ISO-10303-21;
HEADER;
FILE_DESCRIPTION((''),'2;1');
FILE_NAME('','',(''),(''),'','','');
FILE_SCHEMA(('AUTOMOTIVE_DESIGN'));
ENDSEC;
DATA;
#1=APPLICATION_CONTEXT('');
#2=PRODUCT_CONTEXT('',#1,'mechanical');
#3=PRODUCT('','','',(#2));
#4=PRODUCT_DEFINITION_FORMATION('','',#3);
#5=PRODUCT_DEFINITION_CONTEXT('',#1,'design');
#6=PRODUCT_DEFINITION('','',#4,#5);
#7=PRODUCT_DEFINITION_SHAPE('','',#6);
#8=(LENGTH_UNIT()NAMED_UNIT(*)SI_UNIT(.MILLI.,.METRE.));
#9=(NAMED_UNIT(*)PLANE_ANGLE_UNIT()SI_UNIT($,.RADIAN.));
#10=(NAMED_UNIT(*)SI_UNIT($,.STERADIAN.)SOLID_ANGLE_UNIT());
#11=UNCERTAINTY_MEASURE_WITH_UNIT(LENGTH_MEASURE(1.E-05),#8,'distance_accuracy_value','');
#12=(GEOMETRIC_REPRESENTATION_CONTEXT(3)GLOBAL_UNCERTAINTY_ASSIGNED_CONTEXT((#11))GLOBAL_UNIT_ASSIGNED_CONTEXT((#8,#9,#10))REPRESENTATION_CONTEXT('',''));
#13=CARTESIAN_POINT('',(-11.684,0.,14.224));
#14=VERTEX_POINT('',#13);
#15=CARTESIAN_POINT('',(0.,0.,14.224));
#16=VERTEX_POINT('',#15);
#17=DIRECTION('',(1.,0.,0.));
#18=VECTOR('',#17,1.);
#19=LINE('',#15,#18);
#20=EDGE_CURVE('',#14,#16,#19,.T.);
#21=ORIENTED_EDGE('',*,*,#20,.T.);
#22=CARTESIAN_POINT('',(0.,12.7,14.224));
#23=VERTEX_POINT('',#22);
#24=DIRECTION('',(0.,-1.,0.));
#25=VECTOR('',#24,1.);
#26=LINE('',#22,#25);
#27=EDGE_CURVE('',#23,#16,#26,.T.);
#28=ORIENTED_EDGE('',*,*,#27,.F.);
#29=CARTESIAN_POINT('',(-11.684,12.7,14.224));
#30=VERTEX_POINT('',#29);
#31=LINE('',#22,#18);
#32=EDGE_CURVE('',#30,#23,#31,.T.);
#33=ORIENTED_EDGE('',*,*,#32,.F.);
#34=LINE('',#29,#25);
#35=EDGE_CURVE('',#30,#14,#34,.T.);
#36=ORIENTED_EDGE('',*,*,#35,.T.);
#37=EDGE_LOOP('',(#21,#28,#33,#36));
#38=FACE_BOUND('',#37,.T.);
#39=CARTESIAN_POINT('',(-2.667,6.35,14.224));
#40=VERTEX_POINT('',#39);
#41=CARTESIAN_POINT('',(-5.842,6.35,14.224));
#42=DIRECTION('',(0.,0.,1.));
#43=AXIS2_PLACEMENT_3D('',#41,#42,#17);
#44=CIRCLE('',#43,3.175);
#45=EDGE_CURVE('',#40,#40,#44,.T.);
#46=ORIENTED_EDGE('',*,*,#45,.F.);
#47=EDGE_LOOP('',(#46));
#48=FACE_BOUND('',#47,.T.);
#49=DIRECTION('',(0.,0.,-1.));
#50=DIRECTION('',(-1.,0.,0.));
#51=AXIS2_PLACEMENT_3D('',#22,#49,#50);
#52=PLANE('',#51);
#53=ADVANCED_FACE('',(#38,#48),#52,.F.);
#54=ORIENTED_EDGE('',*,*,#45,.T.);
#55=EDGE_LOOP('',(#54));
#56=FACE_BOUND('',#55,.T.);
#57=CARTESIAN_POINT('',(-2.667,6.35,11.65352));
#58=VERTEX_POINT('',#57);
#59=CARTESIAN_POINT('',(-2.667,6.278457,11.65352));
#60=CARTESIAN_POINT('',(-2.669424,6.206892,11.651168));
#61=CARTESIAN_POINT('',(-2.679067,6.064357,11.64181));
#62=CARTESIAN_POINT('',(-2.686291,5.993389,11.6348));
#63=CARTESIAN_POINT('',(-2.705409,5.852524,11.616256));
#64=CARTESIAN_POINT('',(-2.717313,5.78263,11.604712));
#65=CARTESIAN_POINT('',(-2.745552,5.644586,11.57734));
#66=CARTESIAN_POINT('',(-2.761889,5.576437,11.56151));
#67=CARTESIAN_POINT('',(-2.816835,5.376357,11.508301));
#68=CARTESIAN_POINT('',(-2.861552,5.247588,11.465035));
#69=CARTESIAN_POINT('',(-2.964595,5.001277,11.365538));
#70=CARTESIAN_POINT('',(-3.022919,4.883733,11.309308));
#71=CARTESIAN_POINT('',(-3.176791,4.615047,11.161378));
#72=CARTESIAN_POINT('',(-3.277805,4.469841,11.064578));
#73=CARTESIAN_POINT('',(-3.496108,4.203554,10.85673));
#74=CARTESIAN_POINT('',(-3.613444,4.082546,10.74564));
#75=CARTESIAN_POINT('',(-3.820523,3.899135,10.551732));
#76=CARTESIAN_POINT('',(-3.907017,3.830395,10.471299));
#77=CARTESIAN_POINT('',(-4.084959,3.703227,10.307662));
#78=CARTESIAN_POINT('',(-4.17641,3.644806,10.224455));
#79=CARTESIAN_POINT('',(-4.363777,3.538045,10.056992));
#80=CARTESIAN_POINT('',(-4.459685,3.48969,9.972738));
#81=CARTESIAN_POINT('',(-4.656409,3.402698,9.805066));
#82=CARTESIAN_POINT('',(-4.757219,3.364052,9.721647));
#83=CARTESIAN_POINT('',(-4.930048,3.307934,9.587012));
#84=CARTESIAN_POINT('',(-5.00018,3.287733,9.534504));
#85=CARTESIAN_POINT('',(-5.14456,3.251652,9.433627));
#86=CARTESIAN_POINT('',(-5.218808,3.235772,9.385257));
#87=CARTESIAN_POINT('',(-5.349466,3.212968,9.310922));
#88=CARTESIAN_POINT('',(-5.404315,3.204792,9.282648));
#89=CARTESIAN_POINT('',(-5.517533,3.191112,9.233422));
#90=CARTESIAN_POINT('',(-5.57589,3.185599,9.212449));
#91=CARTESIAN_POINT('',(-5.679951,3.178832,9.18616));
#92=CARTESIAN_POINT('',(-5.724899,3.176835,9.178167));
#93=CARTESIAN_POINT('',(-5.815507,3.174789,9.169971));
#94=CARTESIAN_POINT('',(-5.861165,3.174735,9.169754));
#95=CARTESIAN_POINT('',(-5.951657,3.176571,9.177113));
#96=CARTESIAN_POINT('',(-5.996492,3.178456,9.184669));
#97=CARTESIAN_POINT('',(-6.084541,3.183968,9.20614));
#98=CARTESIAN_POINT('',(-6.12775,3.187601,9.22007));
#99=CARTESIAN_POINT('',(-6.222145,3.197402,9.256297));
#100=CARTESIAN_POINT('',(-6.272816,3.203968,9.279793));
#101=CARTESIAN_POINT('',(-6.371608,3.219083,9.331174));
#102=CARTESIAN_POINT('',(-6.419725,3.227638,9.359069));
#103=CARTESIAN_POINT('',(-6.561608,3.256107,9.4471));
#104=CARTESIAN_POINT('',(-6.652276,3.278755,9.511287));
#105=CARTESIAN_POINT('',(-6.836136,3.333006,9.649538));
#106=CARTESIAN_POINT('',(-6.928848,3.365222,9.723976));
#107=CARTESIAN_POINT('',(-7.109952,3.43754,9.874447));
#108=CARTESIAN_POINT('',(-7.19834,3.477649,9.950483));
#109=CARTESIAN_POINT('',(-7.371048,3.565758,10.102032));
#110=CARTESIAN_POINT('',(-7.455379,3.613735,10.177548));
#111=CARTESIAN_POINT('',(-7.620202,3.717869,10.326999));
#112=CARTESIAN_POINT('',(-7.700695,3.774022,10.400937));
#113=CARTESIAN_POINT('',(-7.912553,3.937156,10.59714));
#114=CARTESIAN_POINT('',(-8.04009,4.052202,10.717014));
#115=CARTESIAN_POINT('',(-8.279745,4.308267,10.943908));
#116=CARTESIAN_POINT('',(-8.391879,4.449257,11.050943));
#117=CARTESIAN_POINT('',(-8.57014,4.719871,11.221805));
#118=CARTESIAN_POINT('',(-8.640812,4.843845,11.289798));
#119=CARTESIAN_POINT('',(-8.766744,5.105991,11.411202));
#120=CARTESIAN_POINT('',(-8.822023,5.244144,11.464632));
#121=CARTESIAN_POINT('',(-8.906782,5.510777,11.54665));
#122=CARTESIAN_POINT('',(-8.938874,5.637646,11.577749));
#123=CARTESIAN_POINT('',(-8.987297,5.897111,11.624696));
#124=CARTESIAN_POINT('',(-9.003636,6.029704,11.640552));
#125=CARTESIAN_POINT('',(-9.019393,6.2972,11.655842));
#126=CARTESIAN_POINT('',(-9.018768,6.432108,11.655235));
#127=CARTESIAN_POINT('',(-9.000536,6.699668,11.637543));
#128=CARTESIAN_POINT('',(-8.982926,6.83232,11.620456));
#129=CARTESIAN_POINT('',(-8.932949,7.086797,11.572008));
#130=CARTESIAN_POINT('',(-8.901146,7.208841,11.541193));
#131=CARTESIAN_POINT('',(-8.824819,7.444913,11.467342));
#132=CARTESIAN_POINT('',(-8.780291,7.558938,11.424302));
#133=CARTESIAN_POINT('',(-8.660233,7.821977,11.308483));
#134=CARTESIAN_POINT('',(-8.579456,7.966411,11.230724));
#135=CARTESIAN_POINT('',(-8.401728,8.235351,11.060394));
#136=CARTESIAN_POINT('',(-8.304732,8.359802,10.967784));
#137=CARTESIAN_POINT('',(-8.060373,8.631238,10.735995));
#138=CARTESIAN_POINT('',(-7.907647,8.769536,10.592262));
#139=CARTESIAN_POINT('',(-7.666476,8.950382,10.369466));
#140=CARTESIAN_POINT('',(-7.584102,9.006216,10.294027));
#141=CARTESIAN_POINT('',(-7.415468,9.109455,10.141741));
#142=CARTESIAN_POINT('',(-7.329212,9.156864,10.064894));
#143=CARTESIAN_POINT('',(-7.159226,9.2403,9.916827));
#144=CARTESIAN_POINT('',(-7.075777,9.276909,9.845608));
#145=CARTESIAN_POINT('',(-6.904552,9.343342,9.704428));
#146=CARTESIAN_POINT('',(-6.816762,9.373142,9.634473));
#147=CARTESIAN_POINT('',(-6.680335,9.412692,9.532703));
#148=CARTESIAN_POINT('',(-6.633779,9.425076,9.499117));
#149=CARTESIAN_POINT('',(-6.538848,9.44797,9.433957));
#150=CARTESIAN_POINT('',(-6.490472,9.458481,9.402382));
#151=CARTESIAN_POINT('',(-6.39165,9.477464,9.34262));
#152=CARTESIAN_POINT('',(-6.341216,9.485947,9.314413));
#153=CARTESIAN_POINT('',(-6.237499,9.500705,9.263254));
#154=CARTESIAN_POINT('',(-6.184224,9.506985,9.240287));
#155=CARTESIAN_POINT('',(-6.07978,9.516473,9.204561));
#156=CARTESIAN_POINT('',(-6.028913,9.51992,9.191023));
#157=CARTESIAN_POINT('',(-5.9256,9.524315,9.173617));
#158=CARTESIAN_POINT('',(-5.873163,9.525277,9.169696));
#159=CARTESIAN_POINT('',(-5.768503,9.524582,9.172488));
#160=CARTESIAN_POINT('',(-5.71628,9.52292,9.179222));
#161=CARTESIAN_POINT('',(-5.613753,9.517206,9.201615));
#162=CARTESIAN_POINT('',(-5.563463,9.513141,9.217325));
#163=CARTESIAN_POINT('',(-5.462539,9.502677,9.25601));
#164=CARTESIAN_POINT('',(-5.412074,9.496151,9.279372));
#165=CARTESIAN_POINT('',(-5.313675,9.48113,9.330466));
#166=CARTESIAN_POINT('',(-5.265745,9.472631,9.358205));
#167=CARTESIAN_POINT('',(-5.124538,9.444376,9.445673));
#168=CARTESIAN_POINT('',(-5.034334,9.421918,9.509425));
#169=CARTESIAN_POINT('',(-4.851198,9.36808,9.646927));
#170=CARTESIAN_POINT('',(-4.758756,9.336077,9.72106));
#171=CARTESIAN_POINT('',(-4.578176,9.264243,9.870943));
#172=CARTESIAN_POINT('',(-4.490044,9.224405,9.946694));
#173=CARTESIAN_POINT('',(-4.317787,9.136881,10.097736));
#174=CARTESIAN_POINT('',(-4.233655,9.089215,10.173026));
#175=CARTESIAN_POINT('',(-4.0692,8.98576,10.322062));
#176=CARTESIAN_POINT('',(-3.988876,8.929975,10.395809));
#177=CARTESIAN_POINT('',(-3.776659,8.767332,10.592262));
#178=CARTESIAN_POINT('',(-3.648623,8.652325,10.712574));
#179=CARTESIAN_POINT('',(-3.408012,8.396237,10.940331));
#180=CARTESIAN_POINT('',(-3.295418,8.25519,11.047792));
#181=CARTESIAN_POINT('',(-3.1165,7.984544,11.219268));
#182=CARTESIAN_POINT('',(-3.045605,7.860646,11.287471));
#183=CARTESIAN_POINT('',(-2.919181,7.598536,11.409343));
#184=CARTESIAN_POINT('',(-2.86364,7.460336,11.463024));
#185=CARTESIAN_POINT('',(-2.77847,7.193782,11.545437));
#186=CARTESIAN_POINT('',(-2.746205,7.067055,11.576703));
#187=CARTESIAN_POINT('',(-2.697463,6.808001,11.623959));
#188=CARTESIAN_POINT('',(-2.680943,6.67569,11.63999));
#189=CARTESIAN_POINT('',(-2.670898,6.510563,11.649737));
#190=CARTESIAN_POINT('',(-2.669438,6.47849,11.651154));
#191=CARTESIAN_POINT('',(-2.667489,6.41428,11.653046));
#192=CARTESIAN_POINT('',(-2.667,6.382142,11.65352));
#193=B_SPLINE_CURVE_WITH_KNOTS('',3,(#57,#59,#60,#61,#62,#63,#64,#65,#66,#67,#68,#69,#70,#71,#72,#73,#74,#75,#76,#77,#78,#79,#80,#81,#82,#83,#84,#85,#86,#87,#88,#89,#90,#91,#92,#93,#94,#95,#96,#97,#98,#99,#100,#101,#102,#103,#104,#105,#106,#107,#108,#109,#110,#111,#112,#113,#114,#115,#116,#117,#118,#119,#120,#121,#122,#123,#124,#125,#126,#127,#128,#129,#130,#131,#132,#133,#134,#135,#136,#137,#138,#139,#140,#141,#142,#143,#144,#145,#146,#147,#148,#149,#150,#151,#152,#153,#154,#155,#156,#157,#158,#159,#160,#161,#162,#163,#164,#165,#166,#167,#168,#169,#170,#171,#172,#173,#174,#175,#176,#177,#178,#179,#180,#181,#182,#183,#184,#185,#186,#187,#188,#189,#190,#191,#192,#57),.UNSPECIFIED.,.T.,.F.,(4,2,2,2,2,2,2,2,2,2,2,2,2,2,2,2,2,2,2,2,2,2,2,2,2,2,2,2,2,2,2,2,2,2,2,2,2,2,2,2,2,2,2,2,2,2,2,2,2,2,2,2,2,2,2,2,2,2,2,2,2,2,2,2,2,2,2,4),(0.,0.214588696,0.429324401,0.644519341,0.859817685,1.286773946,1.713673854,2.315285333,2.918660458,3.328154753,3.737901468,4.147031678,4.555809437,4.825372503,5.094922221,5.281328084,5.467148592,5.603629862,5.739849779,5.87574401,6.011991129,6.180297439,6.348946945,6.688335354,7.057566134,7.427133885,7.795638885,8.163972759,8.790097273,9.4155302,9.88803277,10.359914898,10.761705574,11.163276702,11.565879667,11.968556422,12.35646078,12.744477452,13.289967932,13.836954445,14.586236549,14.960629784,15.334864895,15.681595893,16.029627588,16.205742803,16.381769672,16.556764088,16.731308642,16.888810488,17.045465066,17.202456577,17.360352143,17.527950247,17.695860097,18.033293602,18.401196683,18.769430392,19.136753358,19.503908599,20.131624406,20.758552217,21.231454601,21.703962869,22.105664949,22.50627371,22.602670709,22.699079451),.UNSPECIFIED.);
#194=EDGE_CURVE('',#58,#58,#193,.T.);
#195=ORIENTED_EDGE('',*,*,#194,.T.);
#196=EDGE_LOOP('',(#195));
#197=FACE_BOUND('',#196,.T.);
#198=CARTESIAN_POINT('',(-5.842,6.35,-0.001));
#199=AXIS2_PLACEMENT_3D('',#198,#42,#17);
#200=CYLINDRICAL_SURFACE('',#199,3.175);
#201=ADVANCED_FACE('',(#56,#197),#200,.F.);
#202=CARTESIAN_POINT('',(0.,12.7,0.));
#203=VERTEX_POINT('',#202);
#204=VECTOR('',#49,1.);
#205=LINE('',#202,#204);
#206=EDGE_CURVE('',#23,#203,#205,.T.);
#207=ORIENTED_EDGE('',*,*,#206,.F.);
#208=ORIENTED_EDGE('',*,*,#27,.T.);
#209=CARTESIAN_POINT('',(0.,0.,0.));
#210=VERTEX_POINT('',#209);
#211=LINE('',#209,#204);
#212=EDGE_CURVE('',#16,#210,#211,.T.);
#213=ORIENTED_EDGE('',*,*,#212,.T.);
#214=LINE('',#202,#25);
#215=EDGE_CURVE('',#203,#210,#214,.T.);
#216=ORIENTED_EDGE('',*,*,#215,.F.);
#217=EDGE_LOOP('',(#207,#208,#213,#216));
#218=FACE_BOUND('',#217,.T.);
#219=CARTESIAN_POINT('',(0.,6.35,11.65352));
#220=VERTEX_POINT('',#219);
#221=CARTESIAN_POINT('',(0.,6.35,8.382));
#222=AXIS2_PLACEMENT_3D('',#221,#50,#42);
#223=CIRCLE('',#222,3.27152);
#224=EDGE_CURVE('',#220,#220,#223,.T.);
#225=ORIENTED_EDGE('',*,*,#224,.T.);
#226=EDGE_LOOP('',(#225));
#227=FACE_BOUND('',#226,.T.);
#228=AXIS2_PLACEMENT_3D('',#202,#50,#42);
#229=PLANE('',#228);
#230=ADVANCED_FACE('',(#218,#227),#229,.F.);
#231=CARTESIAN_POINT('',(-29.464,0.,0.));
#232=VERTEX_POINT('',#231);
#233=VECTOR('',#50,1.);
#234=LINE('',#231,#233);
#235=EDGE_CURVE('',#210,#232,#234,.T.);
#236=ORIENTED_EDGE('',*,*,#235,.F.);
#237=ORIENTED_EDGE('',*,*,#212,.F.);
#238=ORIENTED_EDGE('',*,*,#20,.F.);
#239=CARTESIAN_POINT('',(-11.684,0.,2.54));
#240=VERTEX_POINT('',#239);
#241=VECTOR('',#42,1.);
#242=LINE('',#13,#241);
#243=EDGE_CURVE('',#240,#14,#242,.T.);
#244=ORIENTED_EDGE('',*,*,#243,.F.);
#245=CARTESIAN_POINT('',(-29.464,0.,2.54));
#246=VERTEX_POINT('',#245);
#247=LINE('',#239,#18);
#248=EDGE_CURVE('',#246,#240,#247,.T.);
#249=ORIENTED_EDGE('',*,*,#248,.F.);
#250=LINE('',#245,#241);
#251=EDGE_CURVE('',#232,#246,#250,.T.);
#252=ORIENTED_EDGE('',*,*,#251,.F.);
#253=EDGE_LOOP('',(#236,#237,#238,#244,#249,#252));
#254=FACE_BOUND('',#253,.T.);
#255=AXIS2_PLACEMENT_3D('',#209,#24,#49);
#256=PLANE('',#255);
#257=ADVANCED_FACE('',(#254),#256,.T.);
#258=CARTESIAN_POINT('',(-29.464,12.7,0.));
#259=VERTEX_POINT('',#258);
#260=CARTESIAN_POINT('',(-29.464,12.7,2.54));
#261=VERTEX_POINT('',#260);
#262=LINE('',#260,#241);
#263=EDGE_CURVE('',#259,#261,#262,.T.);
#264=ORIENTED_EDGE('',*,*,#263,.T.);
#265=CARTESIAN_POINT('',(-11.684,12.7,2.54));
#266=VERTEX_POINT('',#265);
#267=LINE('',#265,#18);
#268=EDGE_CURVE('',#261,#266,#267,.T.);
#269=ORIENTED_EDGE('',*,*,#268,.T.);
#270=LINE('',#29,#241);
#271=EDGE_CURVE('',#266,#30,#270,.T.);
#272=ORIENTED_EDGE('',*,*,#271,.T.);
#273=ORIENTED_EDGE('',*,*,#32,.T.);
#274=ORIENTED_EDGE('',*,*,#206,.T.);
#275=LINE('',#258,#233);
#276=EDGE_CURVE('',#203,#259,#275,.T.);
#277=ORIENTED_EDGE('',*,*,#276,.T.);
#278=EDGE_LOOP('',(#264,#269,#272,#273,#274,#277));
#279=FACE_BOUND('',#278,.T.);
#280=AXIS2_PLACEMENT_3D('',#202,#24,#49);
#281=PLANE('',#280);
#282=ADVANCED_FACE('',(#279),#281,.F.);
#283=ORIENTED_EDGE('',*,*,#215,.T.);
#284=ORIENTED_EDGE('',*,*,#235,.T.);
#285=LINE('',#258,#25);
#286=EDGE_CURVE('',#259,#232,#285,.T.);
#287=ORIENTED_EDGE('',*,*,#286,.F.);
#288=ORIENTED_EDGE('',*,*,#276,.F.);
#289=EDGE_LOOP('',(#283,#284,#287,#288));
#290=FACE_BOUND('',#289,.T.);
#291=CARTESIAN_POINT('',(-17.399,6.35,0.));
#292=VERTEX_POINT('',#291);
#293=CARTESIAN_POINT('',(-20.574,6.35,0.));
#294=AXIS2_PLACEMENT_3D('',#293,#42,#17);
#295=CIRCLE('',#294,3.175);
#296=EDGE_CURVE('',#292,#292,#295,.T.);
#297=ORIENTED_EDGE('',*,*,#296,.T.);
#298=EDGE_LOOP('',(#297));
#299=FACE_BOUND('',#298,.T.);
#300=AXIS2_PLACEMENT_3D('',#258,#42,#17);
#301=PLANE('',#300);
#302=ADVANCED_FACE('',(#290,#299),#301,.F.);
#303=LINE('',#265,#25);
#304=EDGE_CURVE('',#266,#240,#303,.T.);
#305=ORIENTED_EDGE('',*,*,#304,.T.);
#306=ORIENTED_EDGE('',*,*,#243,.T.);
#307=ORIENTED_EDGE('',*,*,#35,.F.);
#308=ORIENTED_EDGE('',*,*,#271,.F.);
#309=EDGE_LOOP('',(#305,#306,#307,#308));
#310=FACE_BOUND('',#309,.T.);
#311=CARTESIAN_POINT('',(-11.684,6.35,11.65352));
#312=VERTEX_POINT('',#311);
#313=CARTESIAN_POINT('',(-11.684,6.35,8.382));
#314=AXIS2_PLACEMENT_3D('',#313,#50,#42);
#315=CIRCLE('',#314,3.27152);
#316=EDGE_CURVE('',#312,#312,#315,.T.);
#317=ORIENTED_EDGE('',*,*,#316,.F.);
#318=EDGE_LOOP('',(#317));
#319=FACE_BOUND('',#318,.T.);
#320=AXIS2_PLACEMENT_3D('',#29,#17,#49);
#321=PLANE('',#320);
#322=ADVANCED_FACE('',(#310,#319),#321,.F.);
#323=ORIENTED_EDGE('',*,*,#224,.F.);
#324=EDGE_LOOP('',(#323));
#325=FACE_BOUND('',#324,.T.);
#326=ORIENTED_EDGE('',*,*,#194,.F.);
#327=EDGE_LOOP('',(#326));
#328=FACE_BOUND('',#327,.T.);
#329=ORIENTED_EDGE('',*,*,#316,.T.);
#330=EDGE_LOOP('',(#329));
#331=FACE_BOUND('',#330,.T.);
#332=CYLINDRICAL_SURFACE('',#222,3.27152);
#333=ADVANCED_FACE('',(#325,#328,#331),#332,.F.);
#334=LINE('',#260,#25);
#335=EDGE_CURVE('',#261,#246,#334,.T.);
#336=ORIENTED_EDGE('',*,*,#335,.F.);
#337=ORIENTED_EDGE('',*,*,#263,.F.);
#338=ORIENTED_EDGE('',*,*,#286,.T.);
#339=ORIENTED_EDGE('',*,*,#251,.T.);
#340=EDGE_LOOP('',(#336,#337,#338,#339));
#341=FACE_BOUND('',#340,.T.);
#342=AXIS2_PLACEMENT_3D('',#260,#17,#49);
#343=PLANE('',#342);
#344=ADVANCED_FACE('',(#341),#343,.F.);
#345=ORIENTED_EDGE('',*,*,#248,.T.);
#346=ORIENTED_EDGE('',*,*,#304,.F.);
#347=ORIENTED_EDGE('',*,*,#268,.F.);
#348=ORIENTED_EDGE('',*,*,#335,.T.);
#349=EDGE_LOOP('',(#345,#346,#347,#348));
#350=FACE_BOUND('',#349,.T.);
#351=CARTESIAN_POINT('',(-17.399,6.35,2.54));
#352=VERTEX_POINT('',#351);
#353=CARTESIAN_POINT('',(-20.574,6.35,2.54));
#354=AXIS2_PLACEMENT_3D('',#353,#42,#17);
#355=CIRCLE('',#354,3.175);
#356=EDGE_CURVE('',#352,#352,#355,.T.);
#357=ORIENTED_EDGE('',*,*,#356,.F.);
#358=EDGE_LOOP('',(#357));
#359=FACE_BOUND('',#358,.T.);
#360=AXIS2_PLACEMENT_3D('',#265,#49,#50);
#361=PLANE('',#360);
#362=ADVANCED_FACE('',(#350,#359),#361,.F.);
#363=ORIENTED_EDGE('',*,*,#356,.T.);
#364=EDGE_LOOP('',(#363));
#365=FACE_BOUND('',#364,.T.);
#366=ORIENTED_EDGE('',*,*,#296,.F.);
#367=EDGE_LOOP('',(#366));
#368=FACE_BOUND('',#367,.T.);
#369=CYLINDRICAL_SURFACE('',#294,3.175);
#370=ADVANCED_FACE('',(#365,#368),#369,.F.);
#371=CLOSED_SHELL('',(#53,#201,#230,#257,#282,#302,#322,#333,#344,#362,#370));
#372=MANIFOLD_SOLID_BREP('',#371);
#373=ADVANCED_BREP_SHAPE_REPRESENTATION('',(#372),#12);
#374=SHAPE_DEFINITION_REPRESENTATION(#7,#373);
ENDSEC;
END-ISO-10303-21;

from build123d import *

# Parameters (mm, degrees)
EXTRUDE1_DEPTH      = 12.7
SKETCH2_R           = 3.27152
EXTRUDE2_DEPTH      = 27.071834918
EXTRUDE3_REACH      = 37.096
EXTRUDE3_END_RADIUS = 3.27152
SKETCH3_R           = 3.175
SKETCH4_R           = 3.175
EXTRUDE4_DEPTH      = 35.145763344


with BuildPart() as part:
    # Sketch1 → Extrude1 (new body)
    with BuildSketch(Plane(origin=(0, 0, 0), x_dir=(1, 0, 0), z_dir=(0, 1, 0))):
        Polygon((0, 0), (0, -14.224), (-11.684, -14.224), (-11.684, -2.54), (-29.464, -2.54), (-29.464, 0), align=None)
    extrude(amount=EXTRUDE1_DEPTH)

    # Sketch2 → Extrude2 (cut, through all)
    with BuildSketch(Plane.ZY.offset(11.684)):
        with Locations((8.382, 6.35)):
            Circle(SKETCH2_R)
    extrude(amount=-EXTRUDE2_DEPTH, mode=Mode.SUBTRACT)

    # Extrude3: up to this cylinder (the profile starts outside it)
    extrude3_end = Plane(origin=(-5.842, 6.35, 8.382), z_dir=(-1, 0, 0)) * Cylinder(EXTRUDE3_END_RADIUS, 81.73504, mode=Mode.PRIVATE)
    # Sketch3 → Extrude3 (cut, up to the surface)
    with BuildSketch(Plane.XY.offset(14.224), mode=Mode.PRIVATE) as extrude3_sk1:
        with Locations((-5.842, 6.35)):
            Circle(SKETCH3_R)
    extrude3_tool1 = extrude(extrude3_sk1.sketch, amount=-EXTRUDE3_REACH, mode=Mode.PRIVATE) - extrude3_end
    add(extrude3_tool1.solids().sort_by_distance((-5.842, 6.35, 14.224))[0], mode=Mode.SUBTRACT)

    # Sketch4 → Extrude4 (cut, through all)
    with BuildSketch(Plane.XY.offset(2.54)):
        with Locations((-20.574, 6.35)):
            Circle(SKETCH4_R)
    extrude(amount=-EXTRUDE4_DEPTH, mode=Mode.SUBTRACT)


solid = part.part
